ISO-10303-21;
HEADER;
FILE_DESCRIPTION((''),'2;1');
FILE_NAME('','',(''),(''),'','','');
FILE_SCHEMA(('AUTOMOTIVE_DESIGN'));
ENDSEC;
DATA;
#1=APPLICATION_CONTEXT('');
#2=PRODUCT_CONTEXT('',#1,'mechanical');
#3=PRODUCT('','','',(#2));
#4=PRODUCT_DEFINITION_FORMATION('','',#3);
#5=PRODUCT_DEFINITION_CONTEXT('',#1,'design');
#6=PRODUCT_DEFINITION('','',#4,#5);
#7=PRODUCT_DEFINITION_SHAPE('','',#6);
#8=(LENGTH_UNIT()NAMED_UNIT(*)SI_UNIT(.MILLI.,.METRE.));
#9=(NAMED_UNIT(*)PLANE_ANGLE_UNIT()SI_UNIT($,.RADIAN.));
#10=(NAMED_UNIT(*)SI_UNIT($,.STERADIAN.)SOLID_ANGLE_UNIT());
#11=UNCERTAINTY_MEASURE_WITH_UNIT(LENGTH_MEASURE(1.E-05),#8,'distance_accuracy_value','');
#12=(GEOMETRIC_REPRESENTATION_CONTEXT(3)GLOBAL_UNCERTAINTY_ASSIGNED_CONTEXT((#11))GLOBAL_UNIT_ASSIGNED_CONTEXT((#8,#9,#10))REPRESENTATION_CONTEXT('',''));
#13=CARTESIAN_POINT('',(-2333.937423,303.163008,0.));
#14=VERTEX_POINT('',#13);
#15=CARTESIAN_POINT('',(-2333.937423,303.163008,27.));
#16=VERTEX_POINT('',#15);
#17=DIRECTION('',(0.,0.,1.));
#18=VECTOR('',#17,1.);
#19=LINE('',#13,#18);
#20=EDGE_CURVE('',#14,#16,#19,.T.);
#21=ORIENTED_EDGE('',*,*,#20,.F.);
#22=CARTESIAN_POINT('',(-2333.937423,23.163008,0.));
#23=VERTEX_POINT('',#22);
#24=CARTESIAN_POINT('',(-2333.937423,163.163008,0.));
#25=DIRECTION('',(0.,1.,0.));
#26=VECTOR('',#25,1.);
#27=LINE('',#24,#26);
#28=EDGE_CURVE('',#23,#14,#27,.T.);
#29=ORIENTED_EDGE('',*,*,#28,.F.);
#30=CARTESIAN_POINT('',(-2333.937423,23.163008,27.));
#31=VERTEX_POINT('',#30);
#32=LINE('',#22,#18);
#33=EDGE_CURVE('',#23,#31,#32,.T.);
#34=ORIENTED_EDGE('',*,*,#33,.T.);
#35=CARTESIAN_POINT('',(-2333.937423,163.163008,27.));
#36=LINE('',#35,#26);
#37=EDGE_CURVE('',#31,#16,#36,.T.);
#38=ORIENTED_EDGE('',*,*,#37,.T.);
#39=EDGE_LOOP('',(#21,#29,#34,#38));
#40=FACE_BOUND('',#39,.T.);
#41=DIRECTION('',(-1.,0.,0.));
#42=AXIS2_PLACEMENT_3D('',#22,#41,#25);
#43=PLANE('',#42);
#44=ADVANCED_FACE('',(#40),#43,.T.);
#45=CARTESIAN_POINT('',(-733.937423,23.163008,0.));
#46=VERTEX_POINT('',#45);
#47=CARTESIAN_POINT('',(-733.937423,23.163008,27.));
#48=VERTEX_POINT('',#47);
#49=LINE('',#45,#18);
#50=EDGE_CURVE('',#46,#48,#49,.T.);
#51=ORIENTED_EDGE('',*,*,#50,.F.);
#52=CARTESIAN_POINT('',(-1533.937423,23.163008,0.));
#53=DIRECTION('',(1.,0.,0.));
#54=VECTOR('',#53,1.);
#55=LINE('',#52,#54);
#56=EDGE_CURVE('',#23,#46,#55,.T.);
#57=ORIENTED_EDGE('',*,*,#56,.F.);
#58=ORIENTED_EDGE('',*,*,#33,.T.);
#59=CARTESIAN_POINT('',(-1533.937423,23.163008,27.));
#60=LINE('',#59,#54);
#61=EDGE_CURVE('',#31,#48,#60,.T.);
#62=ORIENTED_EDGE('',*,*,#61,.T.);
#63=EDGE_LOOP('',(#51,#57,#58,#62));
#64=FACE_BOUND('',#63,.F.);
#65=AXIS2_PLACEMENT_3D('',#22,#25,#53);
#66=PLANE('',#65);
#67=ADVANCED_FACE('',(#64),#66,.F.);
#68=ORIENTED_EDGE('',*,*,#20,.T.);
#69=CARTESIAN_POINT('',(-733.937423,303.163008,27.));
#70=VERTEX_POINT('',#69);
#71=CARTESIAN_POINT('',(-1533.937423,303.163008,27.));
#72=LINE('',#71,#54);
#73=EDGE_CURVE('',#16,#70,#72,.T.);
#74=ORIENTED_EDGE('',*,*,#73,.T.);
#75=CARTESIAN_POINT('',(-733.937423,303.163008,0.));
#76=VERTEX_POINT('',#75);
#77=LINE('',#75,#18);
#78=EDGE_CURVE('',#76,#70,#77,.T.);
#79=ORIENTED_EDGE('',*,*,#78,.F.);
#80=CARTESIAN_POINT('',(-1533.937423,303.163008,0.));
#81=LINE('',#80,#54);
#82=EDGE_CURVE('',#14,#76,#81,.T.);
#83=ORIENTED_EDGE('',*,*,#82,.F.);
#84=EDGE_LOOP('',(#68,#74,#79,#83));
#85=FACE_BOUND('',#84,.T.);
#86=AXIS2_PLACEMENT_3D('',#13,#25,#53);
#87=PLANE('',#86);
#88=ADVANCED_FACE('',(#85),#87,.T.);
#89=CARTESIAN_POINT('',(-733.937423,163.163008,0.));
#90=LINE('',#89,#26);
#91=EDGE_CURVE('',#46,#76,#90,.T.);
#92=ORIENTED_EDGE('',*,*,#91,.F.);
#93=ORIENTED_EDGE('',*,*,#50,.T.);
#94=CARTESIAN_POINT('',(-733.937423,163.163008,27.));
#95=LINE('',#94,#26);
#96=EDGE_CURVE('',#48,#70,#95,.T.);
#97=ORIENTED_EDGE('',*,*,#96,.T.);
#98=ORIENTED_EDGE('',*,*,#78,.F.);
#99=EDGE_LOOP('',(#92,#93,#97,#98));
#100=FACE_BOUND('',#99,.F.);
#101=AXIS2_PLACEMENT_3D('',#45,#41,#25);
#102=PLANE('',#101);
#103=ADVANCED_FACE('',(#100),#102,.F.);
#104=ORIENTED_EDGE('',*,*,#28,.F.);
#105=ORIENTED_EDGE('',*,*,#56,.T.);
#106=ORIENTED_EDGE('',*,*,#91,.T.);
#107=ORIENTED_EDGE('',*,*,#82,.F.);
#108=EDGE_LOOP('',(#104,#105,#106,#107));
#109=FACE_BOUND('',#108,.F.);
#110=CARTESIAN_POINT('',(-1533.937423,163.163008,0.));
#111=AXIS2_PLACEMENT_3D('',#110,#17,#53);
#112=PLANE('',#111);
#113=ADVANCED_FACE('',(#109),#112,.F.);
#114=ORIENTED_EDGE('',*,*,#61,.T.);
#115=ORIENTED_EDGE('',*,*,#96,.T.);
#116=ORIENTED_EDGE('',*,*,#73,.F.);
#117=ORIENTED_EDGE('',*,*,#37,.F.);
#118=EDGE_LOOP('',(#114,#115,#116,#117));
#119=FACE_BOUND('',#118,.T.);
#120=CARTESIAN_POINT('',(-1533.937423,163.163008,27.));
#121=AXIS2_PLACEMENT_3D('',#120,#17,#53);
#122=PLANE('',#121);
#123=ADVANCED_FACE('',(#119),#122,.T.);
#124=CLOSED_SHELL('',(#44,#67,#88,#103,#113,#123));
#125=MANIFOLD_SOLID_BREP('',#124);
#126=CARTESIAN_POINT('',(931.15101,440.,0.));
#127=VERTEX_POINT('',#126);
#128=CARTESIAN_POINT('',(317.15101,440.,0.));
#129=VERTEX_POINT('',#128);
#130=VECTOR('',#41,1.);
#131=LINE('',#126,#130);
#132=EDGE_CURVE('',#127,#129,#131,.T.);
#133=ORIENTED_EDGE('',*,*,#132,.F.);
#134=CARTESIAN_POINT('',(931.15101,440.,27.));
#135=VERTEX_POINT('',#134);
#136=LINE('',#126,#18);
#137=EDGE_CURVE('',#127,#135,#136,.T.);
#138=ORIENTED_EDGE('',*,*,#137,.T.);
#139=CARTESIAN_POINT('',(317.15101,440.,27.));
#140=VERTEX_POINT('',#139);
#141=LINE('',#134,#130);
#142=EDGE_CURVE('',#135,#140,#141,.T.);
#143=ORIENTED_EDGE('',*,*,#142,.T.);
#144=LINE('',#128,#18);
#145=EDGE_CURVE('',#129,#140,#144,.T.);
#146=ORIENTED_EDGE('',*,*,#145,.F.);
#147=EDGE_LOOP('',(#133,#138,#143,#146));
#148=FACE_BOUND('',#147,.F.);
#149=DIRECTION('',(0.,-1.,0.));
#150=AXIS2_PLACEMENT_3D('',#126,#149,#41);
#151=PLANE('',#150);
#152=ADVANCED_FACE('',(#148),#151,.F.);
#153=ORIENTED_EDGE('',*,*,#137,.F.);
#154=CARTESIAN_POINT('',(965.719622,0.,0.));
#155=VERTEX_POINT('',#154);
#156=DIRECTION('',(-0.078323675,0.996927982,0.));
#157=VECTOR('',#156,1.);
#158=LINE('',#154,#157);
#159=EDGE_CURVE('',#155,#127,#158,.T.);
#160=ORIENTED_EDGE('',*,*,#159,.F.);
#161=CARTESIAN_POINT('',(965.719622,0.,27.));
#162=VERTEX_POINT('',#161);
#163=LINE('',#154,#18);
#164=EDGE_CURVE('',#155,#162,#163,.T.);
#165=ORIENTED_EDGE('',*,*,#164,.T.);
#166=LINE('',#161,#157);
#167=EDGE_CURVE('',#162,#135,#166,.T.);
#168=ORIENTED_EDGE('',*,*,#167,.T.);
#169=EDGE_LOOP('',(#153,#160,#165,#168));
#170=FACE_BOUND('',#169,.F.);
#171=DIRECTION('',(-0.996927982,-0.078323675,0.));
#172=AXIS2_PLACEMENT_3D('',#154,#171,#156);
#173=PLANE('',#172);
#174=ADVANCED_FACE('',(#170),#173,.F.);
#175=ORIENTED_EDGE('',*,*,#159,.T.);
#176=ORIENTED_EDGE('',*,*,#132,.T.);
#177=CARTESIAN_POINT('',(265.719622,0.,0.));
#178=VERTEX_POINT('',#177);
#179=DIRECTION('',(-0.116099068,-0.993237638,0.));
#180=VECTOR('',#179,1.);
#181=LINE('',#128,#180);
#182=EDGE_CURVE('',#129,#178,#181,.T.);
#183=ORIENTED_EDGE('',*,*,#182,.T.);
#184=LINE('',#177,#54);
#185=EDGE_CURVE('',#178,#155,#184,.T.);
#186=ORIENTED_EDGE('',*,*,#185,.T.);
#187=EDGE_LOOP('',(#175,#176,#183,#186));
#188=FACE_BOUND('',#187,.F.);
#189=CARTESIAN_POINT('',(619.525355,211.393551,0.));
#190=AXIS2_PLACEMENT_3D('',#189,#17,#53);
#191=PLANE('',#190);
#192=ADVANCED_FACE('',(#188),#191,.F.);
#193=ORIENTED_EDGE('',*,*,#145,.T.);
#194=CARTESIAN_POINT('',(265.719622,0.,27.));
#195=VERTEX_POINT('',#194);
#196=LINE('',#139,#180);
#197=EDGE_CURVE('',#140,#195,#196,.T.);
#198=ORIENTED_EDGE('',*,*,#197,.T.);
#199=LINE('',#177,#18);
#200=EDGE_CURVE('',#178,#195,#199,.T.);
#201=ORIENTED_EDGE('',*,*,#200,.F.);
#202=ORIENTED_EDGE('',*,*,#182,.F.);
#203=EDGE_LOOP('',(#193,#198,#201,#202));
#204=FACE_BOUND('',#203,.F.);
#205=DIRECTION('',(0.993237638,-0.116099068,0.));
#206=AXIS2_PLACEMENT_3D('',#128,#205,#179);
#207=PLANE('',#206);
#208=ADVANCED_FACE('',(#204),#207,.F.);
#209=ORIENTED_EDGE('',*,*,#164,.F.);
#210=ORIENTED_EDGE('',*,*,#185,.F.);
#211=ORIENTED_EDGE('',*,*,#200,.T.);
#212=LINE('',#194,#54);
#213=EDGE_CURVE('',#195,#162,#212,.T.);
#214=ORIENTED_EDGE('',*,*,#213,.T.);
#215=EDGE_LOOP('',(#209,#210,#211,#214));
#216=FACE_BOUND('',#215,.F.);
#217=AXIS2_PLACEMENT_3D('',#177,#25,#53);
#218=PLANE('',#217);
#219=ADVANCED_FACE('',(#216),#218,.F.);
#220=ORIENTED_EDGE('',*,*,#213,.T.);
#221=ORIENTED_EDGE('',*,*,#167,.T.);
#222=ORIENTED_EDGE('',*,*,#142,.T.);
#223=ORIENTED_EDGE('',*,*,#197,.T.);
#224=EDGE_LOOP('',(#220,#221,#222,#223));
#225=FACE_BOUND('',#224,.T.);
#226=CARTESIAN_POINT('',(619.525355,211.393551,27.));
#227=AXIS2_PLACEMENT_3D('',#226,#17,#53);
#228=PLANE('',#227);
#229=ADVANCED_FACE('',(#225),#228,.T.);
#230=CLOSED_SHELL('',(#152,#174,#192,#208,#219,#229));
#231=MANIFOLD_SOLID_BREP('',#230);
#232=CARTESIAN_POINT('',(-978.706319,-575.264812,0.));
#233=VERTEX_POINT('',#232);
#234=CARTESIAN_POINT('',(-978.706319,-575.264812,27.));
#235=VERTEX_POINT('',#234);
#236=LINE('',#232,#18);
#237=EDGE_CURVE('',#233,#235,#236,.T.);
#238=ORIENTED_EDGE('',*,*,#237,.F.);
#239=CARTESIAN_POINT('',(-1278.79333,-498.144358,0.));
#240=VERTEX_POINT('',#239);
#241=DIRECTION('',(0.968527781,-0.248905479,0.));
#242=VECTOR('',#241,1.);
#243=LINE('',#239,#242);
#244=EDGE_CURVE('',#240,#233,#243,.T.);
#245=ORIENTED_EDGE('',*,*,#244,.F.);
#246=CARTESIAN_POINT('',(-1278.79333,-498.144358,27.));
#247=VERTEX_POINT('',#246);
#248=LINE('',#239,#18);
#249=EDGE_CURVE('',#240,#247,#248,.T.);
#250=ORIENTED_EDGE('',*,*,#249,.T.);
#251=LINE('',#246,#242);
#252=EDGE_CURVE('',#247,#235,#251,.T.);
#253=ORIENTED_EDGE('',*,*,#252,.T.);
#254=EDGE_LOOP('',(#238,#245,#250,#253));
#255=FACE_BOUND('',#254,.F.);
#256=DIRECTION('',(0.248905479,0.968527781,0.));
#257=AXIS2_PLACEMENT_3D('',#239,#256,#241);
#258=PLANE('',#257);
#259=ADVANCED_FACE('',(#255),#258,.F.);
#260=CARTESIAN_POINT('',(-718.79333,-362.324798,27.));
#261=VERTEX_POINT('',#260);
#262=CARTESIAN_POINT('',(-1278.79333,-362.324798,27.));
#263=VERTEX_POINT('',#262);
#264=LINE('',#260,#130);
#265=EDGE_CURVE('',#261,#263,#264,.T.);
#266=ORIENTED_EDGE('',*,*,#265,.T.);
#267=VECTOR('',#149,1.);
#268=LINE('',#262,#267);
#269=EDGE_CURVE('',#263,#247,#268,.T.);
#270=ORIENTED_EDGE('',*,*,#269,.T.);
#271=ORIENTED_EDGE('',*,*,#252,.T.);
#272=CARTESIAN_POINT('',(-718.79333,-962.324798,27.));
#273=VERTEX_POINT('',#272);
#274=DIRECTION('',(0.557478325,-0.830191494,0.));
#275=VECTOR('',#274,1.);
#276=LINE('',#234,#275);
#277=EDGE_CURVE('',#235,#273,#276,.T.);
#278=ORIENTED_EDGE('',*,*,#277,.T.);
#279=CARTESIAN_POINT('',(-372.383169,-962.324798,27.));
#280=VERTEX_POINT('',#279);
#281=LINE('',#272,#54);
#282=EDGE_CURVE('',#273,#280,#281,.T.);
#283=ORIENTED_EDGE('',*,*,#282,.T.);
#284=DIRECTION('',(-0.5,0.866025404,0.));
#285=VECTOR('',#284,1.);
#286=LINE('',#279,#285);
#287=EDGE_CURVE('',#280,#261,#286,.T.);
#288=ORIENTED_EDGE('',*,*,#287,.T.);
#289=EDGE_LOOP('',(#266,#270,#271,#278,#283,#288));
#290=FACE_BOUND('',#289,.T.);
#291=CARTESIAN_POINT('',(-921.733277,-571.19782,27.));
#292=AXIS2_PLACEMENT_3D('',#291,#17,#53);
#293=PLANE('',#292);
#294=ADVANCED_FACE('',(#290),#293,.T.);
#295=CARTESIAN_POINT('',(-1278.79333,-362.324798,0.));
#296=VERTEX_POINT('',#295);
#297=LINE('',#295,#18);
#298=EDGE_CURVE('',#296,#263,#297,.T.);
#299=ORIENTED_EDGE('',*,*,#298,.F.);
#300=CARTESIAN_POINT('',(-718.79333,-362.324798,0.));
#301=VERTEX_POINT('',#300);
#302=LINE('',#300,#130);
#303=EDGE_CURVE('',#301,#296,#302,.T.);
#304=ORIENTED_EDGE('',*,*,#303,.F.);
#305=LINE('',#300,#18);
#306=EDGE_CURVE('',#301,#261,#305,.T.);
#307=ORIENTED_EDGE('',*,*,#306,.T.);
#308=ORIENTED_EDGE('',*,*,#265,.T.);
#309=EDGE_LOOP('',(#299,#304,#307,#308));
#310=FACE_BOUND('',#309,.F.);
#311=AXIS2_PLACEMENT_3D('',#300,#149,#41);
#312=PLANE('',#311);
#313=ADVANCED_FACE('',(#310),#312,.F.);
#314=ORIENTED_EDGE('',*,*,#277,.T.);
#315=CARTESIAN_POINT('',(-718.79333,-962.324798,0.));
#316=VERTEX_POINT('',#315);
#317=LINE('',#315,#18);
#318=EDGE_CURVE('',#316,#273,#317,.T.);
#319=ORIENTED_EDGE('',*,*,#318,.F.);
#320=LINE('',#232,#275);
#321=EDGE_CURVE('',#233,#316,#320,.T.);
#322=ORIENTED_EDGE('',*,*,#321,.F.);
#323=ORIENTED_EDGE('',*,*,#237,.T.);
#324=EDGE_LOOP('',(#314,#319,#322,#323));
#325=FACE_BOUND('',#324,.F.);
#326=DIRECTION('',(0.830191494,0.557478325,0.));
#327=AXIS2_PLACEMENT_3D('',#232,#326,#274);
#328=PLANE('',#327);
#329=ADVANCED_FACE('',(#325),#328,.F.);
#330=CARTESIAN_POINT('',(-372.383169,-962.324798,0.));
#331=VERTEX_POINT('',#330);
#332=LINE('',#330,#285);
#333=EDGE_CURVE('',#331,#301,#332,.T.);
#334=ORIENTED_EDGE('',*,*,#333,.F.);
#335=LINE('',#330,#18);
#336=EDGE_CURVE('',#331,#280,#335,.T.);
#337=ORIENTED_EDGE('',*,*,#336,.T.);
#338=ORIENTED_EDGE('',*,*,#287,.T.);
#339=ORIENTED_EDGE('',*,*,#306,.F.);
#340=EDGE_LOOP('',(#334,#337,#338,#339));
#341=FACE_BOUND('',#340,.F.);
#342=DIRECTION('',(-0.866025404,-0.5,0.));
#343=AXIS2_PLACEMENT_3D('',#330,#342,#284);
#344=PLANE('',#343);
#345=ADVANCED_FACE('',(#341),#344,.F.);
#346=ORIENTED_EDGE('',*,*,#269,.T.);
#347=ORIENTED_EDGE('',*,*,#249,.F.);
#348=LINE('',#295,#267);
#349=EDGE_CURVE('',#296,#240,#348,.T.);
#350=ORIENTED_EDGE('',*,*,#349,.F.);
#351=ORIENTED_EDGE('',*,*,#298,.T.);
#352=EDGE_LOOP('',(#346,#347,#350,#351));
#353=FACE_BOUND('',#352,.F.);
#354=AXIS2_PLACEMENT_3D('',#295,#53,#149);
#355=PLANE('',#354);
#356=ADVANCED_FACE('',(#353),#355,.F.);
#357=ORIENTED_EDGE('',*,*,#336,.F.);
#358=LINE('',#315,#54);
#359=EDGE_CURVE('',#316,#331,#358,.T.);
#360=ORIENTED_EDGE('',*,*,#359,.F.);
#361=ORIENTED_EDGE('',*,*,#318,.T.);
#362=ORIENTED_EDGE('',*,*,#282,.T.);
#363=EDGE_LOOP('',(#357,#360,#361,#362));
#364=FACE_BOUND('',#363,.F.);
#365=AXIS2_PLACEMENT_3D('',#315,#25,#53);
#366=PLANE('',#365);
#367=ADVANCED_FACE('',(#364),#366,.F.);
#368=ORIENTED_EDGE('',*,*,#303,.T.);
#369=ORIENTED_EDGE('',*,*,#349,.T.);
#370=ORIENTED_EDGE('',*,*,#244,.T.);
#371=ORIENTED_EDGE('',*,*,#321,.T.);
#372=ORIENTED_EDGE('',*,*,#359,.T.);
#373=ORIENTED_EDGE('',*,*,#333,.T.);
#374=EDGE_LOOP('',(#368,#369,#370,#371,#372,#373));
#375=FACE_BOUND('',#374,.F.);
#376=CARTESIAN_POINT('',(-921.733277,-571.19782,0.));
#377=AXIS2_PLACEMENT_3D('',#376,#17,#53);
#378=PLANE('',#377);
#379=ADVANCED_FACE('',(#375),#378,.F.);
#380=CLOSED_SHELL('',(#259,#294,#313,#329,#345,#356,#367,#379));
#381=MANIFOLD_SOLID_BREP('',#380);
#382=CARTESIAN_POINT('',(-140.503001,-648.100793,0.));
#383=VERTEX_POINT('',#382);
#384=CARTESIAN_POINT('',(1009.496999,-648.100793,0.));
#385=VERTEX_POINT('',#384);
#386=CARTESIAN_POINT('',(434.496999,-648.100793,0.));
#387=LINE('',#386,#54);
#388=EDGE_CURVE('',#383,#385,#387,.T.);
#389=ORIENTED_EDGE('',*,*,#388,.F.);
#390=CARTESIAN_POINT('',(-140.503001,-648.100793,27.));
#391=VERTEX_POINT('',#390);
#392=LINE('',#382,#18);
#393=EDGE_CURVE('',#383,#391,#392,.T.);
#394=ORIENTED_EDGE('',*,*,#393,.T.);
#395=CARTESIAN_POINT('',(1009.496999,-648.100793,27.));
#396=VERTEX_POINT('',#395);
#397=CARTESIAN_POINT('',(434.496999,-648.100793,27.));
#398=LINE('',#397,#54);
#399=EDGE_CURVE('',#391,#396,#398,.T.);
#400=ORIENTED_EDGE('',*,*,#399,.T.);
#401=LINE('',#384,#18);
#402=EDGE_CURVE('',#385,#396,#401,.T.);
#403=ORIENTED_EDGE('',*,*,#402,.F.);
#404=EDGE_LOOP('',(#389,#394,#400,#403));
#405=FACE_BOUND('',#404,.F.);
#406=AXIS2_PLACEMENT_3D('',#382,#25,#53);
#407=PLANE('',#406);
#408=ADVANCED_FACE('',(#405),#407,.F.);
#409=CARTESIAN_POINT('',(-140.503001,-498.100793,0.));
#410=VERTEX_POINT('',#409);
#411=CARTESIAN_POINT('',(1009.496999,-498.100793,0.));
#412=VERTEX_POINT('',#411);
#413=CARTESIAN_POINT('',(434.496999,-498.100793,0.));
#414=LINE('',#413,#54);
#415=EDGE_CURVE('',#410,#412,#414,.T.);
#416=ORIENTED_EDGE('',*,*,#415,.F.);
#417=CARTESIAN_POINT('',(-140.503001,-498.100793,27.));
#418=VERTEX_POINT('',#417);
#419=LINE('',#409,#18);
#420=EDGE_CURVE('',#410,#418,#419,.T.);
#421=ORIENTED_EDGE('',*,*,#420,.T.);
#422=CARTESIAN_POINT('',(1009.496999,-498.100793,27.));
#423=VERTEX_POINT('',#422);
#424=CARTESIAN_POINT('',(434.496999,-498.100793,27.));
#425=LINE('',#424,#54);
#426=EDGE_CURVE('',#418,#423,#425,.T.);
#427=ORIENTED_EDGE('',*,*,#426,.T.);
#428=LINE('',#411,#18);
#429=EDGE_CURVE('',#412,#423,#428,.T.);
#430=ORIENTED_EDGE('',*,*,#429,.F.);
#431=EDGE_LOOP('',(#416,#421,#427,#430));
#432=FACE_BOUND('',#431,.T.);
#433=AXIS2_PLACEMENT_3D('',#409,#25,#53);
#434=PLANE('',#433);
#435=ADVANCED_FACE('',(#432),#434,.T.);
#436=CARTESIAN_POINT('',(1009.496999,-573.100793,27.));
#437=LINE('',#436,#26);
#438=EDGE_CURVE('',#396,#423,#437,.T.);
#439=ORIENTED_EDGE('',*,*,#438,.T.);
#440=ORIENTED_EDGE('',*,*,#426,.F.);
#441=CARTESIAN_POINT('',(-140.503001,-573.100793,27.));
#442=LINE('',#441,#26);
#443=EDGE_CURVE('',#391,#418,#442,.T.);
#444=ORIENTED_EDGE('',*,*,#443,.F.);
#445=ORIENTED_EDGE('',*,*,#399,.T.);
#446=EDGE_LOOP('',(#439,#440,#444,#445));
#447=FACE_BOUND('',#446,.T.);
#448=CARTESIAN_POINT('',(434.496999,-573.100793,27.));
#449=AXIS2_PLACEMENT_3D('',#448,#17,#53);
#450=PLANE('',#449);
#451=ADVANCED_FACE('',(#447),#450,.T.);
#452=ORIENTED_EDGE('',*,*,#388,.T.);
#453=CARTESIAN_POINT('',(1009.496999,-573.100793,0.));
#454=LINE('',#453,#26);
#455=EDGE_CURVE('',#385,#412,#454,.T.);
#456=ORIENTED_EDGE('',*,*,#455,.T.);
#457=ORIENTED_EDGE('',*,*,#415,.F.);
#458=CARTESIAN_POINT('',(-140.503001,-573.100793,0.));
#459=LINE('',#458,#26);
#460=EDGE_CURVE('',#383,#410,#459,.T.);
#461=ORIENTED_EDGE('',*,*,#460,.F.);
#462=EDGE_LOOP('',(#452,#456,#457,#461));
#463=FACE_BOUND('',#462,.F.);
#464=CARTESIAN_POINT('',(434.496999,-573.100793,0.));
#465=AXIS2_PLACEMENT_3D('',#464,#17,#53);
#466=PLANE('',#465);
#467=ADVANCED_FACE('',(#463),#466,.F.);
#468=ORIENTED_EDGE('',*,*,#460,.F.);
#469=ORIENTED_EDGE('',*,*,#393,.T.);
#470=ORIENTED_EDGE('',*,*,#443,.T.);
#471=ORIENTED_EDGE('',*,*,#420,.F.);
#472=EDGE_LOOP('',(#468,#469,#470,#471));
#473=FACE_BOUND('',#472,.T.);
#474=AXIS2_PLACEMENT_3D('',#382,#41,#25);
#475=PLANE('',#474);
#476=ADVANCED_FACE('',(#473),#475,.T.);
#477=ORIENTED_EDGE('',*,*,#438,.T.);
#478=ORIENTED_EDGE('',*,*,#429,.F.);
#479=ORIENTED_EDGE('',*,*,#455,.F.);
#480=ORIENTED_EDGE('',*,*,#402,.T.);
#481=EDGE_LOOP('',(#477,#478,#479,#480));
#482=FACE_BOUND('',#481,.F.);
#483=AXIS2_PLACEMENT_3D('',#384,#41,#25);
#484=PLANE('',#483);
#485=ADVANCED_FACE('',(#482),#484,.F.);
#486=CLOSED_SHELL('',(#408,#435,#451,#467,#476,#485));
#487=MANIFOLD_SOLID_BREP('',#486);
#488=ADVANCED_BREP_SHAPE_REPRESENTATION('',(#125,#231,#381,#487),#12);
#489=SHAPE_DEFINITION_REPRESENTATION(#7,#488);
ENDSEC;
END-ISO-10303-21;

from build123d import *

# Parameters (mm, degrees)
F1_W     = 1600
F1_H     = 280
F2_DEPTH = 27
F3_W     = 1150
F3_H     = 150
F4_DEPTH = 27
F6_DEPTH = 27
F8_DEPTH = 27


with BuildPart() as f2:
    # F1 (on Top) → F2 (new body)
    with BuildSketch(Plane.XY):
        with Locations((-1533.9374229312, 163.1630075723)):
            Rectangle(F1_W, F1_H)
    extrude(amount=F2_DEPTH)


with BuildPart() as f4:
    # F3 (on Top) → F4 (new body)
    with BuildSketch(Plane.XY):
        with Locations((434.4969987869, -573.1007933617)):
            Rectangle(F3_W, F3_H)
    extrude(amount=F4_DEPTH)


with BuildPart() as f6:
    # F5 (on Top) → F6 (new body)
    with BuildSketch(Plane.XY):
        Polygon((-718.7933301926, -362.3247981071), (-1278.7933301926, -362.3247981071), (-1278.7933301926, -498.1443583965), (-978.7063193321, -575.2648115158), (-718.7933301926, -962.3247981071), align=None)
        Polygon((-372.3831686788, -962.3247981071), (-718.7933301926, -362.3247981071), (-718.7933301926, -962.3247981071), align=None)
    extrude(amount=F6_DEPTH)


with BuildPart() as f8:
    # F7 (on Top) → F8 (new body)
    with BuildSketch(Plane.XY):
        Polygon((931.1510100365, 440), (317.1510100365, 440), (265.7196223736, 0), (965.7196223736, 0), align=None)
    extrude(amount=F8_DEPTH)


solid = Compound([f2.part, f4.part, f6.part, f8.part])
